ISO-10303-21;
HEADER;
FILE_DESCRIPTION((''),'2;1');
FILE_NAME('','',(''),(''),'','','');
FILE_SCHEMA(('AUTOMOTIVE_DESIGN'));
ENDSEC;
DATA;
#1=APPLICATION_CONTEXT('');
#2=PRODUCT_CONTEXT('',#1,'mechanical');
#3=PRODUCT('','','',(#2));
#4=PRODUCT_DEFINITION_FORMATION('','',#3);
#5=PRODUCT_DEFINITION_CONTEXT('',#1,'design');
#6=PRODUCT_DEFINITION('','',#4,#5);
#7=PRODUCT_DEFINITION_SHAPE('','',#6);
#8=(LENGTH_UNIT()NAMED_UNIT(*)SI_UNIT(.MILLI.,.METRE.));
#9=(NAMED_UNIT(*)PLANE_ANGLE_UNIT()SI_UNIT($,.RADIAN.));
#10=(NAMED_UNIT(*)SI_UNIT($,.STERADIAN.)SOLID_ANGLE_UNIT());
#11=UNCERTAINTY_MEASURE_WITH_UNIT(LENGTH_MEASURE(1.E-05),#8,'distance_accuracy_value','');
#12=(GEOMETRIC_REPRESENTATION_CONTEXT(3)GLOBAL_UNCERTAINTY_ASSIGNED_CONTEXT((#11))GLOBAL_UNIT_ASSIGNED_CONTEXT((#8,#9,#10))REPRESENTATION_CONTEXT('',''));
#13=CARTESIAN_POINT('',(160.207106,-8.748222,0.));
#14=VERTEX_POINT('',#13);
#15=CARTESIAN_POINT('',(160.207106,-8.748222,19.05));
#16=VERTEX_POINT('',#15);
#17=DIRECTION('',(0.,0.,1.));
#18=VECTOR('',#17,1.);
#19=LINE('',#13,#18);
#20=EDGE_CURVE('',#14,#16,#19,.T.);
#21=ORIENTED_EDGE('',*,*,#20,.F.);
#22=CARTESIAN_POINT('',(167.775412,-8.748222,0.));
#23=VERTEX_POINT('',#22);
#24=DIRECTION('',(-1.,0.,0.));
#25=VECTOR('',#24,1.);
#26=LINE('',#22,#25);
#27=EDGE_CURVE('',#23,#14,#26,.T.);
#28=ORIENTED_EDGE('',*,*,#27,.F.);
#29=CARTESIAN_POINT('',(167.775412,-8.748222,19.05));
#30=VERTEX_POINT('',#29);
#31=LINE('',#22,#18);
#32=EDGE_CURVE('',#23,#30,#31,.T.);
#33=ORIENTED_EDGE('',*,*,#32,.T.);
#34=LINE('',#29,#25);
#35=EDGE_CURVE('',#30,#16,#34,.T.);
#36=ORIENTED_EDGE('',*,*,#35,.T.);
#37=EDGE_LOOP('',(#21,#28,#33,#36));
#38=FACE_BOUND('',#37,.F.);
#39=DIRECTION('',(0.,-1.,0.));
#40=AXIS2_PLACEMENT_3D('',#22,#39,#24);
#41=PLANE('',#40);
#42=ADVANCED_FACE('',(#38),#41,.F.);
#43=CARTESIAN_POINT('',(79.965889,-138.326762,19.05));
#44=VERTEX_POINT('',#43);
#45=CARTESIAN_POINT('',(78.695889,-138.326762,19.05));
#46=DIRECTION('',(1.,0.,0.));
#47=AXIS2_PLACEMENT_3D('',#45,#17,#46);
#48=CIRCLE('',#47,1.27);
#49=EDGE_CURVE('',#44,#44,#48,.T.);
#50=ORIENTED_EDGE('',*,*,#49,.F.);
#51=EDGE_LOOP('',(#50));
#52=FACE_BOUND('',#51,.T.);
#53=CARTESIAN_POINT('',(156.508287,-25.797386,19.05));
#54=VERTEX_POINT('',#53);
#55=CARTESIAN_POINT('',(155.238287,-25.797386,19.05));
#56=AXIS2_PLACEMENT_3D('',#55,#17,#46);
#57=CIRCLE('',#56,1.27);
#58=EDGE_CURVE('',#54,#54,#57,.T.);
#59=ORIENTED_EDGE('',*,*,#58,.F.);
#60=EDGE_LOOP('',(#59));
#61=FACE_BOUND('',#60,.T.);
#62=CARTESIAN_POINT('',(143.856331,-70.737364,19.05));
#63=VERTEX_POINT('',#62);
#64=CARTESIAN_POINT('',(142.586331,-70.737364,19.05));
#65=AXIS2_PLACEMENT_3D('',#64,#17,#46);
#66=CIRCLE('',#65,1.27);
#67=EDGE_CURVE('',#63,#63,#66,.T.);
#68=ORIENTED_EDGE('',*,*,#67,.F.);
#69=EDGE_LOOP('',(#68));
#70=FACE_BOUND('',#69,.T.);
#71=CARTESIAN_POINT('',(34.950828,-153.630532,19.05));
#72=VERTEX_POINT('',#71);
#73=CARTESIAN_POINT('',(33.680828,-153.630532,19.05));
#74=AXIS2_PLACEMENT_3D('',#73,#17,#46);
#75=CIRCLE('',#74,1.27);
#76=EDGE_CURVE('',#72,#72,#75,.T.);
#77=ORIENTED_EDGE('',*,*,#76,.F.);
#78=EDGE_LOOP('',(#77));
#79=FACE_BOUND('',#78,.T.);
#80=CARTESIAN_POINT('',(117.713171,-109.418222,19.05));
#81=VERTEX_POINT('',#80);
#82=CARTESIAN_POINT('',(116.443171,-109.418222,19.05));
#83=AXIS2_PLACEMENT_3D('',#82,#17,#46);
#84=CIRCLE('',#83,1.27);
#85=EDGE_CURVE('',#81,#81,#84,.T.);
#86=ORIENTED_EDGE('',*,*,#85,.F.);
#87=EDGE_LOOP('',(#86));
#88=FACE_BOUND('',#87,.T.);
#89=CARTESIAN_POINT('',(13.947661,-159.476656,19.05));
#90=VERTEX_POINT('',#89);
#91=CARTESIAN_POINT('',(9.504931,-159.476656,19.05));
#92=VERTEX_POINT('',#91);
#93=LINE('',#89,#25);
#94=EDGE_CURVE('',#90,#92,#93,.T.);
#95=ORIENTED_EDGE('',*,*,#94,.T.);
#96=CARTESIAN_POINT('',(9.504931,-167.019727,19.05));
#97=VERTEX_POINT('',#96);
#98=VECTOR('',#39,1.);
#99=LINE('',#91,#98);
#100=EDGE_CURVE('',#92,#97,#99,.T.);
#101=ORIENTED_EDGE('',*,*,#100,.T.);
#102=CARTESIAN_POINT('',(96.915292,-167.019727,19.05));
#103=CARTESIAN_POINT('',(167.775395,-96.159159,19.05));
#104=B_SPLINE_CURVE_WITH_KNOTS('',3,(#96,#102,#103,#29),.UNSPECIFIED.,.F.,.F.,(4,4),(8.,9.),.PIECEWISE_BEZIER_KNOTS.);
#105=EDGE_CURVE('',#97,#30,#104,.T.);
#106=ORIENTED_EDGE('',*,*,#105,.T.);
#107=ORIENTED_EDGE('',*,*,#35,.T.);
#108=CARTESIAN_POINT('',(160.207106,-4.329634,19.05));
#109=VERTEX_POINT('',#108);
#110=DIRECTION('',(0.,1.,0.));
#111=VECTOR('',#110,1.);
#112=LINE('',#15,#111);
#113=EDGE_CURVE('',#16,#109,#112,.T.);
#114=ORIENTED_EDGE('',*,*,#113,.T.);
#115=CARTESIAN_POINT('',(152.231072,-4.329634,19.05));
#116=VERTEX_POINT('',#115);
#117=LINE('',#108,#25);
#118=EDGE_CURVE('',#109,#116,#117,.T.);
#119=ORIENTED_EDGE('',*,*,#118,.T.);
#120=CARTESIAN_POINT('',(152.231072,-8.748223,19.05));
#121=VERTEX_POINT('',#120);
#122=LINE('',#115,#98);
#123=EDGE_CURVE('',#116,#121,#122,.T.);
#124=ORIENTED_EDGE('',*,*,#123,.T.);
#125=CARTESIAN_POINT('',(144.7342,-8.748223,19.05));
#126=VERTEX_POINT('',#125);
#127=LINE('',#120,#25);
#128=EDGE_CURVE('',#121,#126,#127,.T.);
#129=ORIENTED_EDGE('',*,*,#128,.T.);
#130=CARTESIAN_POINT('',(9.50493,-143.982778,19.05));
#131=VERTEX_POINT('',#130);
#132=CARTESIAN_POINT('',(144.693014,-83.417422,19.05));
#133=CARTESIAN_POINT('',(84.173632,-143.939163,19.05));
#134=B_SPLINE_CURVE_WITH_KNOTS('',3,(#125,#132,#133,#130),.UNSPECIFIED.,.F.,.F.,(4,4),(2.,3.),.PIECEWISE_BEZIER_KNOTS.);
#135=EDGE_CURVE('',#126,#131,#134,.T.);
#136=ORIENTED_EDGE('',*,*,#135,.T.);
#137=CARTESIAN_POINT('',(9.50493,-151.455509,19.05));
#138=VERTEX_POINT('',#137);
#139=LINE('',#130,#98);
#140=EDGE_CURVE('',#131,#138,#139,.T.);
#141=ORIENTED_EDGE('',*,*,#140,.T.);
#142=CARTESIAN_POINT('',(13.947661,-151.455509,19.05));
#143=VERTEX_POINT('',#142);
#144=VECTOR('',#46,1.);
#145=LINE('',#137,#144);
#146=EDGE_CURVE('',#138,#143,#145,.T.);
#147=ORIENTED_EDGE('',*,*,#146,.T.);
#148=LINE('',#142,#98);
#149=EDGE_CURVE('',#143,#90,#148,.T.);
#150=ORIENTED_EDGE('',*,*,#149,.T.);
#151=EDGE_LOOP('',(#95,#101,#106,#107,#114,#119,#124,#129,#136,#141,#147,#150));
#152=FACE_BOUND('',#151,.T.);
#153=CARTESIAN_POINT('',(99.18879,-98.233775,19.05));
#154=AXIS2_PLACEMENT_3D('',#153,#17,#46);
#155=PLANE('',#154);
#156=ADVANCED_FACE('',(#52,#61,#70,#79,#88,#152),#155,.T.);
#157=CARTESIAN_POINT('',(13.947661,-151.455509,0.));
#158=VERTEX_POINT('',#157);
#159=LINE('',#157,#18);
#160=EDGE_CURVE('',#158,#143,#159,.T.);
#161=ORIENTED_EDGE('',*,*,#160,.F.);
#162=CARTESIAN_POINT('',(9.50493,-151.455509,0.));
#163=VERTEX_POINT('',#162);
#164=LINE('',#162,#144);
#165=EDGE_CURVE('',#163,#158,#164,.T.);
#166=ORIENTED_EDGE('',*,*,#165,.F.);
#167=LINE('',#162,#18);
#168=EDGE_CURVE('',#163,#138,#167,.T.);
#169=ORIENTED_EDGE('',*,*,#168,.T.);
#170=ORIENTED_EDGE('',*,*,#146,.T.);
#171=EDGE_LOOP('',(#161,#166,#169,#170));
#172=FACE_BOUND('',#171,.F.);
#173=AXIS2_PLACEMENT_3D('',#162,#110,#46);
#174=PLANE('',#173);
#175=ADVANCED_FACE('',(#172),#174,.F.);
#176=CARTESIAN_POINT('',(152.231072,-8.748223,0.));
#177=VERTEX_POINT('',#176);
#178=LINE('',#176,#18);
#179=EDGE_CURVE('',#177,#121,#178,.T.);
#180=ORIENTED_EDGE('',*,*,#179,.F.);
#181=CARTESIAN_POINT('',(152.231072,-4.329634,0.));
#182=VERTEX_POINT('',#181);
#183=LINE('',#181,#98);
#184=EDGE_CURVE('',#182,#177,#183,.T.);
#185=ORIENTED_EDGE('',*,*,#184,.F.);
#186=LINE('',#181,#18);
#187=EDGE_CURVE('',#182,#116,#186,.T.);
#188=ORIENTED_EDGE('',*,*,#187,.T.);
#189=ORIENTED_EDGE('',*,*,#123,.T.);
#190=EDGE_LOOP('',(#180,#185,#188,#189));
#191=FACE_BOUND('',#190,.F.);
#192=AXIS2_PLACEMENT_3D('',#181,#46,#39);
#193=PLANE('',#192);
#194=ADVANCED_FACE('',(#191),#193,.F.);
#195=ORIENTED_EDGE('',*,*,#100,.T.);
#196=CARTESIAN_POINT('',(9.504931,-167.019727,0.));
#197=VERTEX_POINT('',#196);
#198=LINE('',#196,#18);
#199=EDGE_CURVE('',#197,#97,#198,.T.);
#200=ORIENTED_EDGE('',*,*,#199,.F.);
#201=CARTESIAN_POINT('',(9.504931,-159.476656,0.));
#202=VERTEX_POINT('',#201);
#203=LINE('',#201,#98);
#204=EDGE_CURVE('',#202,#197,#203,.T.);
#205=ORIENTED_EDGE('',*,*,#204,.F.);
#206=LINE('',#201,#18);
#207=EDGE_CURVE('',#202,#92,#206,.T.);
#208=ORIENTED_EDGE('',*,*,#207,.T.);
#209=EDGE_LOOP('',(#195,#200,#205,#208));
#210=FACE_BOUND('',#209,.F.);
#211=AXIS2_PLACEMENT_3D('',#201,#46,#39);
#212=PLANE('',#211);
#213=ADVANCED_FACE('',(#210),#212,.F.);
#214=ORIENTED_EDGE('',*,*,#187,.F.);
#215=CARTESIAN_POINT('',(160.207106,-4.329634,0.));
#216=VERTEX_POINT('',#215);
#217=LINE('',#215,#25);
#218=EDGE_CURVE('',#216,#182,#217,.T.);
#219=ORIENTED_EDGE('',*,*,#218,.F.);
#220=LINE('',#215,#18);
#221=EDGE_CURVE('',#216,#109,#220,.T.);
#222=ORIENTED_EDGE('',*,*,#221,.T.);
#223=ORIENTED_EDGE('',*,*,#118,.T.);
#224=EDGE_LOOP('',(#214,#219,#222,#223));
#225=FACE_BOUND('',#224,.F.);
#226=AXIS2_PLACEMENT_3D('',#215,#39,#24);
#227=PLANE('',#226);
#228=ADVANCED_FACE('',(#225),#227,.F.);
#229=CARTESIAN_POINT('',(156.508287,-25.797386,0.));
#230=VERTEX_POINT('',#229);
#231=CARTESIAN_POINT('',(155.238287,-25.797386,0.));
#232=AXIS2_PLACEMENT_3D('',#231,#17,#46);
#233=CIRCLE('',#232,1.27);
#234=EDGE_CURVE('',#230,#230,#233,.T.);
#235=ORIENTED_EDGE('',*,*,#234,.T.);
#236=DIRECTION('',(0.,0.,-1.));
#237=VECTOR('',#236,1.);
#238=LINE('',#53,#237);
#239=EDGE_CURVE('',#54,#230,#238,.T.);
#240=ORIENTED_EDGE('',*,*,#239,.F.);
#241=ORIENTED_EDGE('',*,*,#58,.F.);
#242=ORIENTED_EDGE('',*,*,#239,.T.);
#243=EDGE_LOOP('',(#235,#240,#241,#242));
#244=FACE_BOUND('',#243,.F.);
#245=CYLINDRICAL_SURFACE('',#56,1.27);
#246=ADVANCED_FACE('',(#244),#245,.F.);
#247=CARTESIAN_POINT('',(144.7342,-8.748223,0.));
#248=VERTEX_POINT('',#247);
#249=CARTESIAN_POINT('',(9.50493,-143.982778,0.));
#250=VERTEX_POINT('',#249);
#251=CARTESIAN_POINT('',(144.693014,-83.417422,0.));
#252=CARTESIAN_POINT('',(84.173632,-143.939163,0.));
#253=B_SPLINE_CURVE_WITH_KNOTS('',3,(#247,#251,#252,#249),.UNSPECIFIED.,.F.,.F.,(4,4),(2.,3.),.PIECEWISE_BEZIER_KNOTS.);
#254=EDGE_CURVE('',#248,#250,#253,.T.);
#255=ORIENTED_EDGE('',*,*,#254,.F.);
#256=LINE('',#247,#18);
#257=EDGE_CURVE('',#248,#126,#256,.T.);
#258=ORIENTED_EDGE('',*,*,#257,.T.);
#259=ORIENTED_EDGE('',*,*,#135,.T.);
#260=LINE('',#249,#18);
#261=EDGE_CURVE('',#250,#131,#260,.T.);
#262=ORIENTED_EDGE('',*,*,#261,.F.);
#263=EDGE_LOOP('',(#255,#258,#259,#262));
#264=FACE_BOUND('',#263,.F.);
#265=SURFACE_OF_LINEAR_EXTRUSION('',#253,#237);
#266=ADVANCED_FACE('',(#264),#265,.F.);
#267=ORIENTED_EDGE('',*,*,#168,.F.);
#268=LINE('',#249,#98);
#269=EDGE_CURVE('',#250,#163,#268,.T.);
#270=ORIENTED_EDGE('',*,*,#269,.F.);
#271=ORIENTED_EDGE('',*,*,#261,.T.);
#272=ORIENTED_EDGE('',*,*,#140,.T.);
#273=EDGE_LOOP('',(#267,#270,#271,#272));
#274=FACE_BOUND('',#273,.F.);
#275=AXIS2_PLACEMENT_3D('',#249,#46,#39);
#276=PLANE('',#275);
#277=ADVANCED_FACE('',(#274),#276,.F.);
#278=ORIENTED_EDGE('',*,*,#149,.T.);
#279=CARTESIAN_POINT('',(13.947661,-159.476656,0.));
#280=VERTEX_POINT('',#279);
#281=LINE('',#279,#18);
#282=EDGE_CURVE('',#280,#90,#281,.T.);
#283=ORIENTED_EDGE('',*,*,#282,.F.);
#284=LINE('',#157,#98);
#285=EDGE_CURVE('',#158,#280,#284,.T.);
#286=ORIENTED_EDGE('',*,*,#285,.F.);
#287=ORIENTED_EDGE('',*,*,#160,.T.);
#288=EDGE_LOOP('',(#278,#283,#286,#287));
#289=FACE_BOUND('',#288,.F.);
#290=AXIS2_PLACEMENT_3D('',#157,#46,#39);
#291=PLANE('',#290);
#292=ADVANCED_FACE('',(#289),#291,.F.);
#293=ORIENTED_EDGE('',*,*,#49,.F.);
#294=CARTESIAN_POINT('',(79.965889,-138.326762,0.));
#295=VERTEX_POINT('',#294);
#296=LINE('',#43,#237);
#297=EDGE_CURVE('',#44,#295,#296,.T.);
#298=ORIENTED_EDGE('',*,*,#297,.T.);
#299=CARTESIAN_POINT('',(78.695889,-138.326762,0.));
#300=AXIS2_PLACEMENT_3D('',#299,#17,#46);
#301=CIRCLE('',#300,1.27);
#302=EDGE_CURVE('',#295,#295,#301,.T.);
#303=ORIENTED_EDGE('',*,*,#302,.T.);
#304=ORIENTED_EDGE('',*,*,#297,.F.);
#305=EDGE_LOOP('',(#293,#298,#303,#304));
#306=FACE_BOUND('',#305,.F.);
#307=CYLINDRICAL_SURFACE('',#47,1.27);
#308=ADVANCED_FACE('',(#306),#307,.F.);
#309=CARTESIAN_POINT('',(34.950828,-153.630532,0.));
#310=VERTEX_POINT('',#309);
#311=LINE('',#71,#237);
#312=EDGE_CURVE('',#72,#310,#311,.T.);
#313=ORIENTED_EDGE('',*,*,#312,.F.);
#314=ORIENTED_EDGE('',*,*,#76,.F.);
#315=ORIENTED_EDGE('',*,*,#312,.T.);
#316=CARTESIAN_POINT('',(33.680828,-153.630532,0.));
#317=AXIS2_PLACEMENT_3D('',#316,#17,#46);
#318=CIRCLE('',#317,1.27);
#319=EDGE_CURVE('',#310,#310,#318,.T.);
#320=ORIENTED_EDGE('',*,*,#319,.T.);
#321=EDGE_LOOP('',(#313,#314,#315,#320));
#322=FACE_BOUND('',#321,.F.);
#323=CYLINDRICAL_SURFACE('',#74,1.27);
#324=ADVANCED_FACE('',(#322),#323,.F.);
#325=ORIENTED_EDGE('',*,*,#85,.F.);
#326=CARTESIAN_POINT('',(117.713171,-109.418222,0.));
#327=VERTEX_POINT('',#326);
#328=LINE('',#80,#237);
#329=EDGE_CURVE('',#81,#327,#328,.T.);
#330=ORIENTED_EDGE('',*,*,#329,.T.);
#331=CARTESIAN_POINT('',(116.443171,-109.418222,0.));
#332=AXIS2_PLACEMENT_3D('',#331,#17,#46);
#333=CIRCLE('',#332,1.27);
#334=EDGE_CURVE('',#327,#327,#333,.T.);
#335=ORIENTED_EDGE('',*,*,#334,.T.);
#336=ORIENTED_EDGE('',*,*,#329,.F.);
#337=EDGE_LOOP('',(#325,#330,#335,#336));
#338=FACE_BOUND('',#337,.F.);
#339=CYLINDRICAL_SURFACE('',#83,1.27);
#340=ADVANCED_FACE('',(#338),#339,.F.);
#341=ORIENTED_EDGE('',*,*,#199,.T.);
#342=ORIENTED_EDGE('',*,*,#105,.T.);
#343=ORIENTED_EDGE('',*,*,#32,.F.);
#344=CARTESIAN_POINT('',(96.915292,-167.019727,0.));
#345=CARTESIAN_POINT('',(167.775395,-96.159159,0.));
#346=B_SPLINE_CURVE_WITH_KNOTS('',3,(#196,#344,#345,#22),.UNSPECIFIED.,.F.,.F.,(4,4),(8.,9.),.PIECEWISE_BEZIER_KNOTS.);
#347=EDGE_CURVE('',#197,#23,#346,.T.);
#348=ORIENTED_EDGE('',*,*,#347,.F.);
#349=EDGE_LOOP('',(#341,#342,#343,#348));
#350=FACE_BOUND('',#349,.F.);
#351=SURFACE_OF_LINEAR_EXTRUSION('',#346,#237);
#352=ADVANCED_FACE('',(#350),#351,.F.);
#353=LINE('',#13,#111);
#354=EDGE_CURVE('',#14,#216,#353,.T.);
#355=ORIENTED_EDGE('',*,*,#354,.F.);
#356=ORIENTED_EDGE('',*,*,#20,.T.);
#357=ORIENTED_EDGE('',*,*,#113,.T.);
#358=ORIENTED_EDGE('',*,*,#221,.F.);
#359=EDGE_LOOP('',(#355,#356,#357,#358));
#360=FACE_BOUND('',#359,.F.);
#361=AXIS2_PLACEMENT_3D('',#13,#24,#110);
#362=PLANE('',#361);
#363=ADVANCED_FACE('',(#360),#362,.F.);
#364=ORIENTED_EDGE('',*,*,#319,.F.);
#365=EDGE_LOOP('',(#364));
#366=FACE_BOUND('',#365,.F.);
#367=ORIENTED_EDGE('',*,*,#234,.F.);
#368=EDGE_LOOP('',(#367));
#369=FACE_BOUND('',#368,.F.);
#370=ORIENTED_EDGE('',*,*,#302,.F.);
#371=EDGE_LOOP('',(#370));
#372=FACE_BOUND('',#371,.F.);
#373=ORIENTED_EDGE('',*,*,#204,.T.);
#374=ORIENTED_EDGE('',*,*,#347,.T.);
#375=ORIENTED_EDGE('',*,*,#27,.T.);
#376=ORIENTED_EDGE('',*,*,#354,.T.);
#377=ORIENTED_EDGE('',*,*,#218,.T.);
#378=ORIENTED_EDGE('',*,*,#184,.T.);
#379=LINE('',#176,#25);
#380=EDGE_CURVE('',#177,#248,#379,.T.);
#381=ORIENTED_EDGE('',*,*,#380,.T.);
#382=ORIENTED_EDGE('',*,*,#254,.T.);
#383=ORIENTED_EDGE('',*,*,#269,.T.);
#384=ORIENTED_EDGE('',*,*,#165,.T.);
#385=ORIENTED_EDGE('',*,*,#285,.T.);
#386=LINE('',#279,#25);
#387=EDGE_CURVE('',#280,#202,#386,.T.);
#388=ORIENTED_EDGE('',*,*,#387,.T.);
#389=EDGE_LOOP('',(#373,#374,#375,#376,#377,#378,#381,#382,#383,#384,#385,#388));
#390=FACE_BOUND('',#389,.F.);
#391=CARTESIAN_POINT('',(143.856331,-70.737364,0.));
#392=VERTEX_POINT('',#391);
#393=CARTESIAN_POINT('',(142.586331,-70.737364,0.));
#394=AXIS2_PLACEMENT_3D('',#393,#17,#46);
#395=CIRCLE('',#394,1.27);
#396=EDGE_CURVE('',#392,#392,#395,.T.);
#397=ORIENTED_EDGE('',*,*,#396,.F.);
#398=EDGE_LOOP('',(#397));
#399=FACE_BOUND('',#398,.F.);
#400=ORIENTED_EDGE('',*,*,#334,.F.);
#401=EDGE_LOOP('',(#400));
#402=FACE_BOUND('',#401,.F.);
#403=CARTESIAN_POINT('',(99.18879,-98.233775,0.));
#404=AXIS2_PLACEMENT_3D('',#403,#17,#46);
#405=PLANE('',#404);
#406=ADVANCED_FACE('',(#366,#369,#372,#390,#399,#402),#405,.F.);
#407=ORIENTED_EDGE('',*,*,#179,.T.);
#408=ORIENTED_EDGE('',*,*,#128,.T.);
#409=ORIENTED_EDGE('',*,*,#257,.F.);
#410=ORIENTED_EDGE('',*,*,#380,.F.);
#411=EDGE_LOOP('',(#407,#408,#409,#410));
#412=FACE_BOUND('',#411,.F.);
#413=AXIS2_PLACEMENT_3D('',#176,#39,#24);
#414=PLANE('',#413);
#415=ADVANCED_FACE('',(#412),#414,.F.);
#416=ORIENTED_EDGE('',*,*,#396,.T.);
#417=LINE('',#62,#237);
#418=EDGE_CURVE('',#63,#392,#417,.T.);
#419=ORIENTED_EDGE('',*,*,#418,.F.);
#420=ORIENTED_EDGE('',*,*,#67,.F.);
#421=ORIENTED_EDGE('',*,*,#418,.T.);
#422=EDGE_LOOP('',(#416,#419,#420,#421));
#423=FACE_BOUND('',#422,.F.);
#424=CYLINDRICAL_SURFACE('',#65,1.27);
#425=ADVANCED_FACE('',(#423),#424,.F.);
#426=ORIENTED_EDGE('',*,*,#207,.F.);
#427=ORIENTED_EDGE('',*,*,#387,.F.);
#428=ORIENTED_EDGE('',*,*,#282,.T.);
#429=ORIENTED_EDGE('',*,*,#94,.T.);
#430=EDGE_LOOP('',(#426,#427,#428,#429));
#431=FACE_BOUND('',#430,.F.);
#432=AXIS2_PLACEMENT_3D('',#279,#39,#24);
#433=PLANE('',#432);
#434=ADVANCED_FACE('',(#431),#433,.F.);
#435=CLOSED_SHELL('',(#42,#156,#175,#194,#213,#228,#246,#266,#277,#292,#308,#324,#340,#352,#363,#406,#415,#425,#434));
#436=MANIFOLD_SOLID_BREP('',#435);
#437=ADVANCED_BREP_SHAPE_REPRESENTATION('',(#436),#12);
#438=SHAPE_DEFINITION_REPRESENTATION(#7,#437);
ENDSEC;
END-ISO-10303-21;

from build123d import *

# Parameters (mm, degrees)
BOSS_EXTRUDE1_DEPTH = 19.05
SKETCH2_R           = 1.27
CUT_EXTRUDE1_DEPTH  = 19.05


with BuildPart() as part:
    # Model → Boss-Extrude1 (new body)
    with BuildSketch(Plane.XY):
        with BuildLine():
            Line((152.231072356, -4.329633855), (152.231072356, -8.748222957))
            Line((152.231072356, -8.748222957), (144.734199957, -8.748222957))
            add(Edge.make_bspline(
                [(144.734199957, -8.748222957), (144.69301384, -83.417421729), (84.173632038, -143.939163421), (9.504929576, -143.982778331)],
                knots=[2, 2, 2, 2, 3, 3, 3, 3], degree=3))
            Line((9.504929576, -143.982778331), (9.504929576, -151.455509223))
            Line((9.504929576, -151.455509223), (13.947661262, -151.455509223))
            Line((13.947661262, -151.455509223), (13.947661262, -159.476656261))
            Line((13.947661262, -159.476656261), (9.504930652, -159.476656261))
            Line((9.504930652, -159.476656261), (9.504930652, -167.019727391))
            add(Edge.make_bspline(
                [(9.504930652, -167.019727391), (96.915292045, -167.019727391), (167.775395098, -96.159159251), (167.775412323, -8.748222419)],
                knots=[8, 8, 8, 8, 9, 9, 9, 9], degree=3))
            Line((167.775412323, -8.748222419), (160.207105868, -8.748222419))
            Line((160.207105868, -8.748222419), (160.207105868, -4.329633855))
            Line((160.207105868, -4.329633855), (152.231072356, -4.329633855))
        make_face()
    extrude(amount=BOSS_EXTRUDE1_DEPTH)

    # Sketch2 → Cut-Extrude1 (cut)
    with BuildSketch(Plane.XY.offset(19.05)):
        with Locations((116.443171089, -109.418222003)):
            Circle(SKETCH2_R)
        with Locations((78.695888831, -138.326762479)):
            Circle(SKETCH2_R)
        with Locations((33.680828367, -153.63053201)):
            Circle(SKETCH2_R)
        with Locations((142.586331098, -70.737364147)):
            Circle(SKETCH2_R)
        with Locations((155.238286937, -25.797386475)):
            Circle(SKETCH2_R)
    extrude(amount=-CUT_EXTRUDE1_DEPTH, mode=Mode.SUBTRACT)


solid = part.part
